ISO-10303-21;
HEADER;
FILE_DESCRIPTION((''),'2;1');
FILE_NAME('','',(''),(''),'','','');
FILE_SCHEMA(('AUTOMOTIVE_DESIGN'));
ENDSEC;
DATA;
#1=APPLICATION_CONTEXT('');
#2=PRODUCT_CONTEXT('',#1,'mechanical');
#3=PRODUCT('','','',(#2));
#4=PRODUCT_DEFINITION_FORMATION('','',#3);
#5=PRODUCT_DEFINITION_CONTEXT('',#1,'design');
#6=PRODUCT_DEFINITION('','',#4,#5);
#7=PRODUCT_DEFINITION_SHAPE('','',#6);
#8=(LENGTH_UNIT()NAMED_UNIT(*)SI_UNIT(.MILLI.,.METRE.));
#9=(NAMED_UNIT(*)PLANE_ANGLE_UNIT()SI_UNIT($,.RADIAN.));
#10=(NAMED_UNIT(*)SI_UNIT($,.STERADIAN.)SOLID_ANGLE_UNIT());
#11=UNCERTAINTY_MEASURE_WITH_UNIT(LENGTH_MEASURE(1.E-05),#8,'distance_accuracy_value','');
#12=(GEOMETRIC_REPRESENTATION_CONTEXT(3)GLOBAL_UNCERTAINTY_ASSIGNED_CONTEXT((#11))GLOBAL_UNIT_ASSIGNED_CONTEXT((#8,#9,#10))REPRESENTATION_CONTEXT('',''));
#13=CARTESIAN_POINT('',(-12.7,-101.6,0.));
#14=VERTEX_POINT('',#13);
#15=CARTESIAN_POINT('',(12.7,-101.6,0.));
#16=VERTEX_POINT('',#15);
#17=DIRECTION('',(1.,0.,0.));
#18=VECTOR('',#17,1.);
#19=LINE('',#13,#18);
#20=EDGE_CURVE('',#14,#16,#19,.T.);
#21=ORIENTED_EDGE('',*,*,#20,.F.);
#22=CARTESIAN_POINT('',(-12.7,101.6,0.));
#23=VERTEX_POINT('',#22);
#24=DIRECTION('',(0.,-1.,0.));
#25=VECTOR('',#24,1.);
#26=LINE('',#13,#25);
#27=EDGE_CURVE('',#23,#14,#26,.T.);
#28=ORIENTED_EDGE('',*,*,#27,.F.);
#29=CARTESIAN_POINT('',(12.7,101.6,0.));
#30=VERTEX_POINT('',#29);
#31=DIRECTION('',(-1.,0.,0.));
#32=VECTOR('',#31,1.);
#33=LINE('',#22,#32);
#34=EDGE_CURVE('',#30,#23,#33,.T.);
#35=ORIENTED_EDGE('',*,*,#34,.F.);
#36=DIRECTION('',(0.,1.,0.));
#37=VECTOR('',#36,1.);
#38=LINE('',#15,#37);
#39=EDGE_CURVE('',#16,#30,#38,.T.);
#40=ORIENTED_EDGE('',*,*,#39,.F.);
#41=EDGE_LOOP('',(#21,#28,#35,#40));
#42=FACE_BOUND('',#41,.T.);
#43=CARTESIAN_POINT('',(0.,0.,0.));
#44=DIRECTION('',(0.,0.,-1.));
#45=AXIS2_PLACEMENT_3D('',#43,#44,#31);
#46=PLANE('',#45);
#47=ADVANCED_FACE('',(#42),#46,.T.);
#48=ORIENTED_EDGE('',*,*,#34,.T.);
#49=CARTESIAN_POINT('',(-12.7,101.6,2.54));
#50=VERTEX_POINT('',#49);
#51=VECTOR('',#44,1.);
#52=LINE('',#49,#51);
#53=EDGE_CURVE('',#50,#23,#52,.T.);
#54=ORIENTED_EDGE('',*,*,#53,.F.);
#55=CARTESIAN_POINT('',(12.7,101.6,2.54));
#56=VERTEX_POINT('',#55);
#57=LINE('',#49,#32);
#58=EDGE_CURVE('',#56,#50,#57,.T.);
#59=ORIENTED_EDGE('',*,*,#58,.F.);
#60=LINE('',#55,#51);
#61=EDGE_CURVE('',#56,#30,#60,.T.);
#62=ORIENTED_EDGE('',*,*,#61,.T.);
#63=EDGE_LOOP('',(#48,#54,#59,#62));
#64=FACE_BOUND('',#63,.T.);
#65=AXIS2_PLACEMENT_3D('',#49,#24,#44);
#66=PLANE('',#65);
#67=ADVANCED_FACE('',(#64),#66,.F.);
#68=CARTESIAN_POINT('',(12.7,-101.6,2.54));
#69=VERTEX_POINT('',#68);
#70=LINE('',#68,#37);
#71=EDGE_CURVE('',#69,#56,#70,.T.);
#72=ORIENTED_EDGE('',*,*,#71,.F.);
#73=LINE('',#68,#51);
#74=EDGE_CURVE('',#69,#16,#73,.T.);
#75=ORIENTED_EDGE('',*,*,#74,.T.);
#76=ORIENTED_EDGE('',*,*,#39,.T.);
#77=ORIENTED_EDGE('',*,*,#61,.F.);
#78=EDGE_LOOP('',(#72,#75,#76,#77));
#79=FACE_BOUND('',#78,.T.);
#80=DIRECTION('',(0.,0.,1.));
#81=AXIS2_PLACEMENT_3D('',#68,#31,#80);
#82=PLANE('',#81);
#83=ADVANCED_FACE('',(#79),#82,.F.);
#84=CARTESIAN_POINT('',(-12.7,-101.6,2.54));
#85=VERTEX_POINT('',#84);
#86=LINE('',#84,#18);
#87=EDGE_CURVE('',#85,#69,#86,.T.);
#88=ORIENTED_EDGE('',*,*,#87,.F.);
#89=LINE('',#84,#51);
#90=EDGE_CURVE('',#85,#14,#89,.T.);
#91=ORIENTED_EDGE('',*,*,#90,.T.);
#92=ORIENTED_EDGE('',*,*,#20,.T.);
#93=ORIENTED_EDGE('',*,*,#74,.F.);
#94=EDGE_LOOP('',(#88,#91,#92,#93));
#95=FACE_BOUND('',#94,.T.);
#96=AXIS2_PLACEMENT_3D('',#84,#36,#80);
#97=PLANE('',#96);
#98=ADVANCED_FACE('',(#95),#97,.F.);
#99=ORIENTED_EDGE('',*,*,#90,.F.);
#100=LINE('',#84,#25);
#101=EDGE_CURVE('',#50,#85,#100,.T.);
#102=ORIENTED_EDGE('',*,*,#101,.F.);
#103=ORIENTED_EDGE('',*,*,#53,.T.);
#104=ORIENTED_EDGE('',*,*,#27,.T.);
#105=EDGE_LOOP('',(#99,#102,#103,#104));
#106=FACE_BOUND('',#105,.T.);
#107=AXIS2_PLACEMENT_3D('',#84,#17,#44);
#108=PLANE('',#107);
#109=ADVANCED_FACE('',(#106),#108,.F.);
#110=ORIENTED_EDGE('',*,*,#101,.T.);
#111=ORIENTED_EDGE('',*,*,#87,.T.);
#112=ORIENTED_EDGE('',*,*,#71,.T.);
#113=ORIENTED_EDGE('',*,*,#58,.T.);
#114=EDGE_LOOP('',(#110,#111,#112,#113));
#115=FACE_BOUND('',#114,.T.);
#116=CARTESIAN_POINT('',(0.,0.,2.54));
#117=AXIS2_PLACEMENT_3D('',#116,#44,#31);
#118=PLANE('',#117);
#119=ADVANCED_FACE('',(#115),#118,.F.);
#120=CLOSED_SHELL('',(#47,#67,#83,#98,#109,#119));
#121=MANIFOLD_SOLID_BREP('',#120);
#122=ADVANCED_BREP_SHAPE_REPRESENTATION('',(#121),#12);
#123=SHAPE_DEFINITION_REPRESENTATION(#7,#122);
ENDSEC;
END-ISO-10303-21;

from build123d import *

# Parameters (mm, degrees)
SKETCH1_W           = 25.4
SKETCH1_H           = 203.2
BOSS_EXTRUDE1_DEPTH = 2.54


with BuildPart() as part:
    # Sketch1 → Boss-Extrude1 (new body)
    with BuildSketch(Plane.XY):
        Rectangle(SKETCH1_W, SKETCH1_H)
    extrude(amount=BOSS_EXTRUDE1_DEPTH)


solid = part.part
